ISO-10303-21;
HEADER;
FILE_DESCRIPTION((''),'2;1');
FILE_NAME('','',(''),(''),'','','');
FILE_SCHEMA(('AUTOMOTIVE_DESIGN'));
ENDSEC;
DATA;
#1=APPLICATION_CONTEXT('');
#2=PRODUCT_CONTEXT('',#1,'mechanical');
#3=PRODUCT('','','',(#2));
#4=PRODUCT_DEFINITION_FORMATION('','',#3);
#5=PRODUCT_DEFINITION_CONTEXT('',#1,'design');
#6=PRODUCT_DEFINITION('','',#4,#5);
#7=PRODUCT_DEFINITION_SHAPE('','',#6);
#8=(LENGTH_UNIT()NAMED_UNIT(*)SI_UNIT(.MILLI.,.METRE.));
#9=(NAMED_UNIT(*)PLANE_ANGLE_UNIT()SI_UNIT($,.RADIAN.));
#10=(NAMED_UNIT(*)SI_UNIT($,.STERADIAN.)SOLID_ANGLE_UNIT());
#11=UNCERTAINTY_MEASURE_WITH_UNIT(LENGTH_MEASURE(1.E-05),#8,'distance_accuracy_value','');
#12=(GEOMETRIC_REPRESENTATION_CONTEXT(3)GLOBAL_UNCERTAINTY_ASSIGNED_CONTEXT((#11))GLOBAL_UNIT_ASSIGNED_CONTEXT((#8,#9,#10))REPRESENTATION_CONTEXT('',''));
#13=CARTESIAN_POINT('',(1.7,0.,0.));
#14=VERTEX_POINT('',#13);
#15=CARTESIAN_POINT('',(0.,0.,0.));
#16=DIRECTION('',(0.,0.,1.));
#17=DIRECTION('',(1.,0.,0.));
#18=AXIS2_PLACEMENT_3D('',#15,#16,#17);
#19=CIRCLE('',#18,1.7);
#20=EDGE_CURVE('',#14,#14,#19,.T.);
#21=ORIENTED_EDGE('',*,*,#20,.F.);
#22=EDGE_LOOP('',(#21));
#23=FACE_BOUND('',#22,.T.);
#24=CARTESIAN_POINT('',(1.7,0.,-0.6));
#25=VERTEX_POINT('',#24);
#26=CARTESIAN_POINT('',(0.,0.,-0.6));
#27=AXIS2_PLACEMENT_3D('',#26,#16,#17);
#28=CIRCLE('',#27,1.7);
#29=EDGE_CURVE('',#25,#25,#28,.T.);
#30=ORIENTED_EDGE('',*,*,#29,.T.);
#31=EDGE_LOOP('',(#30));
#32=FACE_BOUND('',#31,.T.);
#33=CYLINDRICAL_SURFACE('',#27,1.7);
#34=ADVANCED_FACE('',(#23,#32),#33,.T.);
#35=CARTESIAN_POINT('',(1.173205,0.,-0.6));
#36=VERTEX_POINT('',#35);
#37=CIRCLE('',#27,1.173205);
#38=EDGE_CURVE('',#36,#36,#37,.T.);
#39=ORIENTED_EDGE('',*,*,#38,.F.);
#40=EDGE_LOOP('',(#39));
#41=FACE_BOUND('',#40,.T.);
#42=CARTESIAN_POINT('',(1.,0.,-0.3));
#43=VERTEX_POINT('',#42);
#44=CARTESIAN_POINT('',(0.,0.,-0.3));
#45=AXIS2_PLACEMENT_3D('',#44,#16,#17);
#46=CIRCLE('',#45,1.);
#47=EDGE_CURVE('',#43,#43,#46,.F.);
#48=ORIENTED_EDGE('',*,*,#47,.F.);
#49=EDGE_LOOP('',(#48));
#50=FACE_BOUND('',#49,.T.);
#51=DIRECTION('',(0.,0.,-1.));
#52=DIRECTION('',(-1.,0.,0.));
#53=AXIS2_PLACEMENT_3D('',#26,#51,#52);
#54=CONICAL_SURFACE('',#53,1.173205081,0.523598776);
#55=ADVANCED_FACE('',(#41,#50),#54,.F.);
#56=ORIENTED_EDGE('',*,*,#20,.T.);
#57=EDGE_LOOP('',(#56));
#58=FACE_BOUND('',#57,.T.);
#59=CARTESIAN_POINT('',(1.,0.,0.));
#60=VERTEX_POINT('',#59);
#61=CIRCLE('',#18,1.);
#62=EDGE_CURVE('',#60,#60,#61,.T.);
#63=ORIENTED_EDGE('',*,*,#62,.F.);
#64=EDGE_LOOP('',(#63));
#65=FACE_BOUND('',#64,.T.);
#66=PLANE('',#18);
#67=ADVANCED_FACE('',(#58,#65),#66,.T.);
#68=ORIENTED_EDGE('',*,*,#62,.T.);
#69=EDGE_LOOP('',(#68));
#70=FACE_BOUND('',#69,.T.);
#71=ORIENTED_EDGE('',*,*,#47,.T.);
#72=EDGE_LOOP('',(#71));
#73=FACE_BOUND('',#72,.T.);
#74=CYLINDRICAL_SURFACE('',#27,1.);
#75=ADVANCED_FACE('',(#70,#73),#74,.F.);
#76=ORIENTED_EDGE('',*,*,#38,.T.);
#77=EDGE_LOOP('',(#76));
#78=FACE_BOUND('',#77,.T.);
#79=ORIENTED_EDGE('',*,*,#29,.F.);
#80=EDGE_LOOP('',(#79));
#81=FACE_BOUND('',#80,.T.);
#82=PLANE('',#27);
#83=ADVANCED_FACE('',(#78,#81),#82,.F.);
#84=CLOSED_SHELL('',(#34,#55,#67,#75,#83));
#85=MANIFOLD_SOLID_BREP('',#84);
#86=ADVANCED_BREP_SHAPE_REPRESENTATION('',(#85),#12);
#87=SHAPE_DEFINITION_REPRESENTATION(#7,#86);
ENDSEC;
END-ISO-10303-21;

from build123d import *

# Parameters (mm, degrees)
SKETCH1_R           = 1.7
BOSS_EXTRUDE1_DEPTH = 0.6
SKETCH2_R           = 1
CUT_EXTRUDE1_DEPTH  = 1.6
CHAMFER1_SIZE       = 0.3
CHAMFER1_SIZE2      = 0.173205081


with BuildPart() as part:
    # Sketch1 → Boss-Extrude1 (new body)
    with BuildSketch(Plane.XY):
        Circle(SKETCH1_R)
    extrude(amount=-BOSS_EXTRUDE1_DEPTH)

    # Sketch2 → Cut-Extrude1 (cut, through all)
    with BuildSketch(Plane.XY):
        Circle(SKETCH2_R)
    extrude(amount=-CUT_EXTRUDE1_DEPTH, mode=Mode.SUBTRACT)

    # Chamfer1
    chamfer1_edges = [part.edges().sort_by_distance(p)[0] for p in [
        (-1, 0, -0.6),
    ]]
    chamfer1_side = [part.faces().sort_by_distance(p)[0] for p in [
        (-1, 0, -0.3),
    ]]
    chamfer(chamfer1_edges, length=CHAMFER1_SIZE, length2=CHAMFER1_SIZE2, reference=chamfer1_side[0])


solid = part.part
